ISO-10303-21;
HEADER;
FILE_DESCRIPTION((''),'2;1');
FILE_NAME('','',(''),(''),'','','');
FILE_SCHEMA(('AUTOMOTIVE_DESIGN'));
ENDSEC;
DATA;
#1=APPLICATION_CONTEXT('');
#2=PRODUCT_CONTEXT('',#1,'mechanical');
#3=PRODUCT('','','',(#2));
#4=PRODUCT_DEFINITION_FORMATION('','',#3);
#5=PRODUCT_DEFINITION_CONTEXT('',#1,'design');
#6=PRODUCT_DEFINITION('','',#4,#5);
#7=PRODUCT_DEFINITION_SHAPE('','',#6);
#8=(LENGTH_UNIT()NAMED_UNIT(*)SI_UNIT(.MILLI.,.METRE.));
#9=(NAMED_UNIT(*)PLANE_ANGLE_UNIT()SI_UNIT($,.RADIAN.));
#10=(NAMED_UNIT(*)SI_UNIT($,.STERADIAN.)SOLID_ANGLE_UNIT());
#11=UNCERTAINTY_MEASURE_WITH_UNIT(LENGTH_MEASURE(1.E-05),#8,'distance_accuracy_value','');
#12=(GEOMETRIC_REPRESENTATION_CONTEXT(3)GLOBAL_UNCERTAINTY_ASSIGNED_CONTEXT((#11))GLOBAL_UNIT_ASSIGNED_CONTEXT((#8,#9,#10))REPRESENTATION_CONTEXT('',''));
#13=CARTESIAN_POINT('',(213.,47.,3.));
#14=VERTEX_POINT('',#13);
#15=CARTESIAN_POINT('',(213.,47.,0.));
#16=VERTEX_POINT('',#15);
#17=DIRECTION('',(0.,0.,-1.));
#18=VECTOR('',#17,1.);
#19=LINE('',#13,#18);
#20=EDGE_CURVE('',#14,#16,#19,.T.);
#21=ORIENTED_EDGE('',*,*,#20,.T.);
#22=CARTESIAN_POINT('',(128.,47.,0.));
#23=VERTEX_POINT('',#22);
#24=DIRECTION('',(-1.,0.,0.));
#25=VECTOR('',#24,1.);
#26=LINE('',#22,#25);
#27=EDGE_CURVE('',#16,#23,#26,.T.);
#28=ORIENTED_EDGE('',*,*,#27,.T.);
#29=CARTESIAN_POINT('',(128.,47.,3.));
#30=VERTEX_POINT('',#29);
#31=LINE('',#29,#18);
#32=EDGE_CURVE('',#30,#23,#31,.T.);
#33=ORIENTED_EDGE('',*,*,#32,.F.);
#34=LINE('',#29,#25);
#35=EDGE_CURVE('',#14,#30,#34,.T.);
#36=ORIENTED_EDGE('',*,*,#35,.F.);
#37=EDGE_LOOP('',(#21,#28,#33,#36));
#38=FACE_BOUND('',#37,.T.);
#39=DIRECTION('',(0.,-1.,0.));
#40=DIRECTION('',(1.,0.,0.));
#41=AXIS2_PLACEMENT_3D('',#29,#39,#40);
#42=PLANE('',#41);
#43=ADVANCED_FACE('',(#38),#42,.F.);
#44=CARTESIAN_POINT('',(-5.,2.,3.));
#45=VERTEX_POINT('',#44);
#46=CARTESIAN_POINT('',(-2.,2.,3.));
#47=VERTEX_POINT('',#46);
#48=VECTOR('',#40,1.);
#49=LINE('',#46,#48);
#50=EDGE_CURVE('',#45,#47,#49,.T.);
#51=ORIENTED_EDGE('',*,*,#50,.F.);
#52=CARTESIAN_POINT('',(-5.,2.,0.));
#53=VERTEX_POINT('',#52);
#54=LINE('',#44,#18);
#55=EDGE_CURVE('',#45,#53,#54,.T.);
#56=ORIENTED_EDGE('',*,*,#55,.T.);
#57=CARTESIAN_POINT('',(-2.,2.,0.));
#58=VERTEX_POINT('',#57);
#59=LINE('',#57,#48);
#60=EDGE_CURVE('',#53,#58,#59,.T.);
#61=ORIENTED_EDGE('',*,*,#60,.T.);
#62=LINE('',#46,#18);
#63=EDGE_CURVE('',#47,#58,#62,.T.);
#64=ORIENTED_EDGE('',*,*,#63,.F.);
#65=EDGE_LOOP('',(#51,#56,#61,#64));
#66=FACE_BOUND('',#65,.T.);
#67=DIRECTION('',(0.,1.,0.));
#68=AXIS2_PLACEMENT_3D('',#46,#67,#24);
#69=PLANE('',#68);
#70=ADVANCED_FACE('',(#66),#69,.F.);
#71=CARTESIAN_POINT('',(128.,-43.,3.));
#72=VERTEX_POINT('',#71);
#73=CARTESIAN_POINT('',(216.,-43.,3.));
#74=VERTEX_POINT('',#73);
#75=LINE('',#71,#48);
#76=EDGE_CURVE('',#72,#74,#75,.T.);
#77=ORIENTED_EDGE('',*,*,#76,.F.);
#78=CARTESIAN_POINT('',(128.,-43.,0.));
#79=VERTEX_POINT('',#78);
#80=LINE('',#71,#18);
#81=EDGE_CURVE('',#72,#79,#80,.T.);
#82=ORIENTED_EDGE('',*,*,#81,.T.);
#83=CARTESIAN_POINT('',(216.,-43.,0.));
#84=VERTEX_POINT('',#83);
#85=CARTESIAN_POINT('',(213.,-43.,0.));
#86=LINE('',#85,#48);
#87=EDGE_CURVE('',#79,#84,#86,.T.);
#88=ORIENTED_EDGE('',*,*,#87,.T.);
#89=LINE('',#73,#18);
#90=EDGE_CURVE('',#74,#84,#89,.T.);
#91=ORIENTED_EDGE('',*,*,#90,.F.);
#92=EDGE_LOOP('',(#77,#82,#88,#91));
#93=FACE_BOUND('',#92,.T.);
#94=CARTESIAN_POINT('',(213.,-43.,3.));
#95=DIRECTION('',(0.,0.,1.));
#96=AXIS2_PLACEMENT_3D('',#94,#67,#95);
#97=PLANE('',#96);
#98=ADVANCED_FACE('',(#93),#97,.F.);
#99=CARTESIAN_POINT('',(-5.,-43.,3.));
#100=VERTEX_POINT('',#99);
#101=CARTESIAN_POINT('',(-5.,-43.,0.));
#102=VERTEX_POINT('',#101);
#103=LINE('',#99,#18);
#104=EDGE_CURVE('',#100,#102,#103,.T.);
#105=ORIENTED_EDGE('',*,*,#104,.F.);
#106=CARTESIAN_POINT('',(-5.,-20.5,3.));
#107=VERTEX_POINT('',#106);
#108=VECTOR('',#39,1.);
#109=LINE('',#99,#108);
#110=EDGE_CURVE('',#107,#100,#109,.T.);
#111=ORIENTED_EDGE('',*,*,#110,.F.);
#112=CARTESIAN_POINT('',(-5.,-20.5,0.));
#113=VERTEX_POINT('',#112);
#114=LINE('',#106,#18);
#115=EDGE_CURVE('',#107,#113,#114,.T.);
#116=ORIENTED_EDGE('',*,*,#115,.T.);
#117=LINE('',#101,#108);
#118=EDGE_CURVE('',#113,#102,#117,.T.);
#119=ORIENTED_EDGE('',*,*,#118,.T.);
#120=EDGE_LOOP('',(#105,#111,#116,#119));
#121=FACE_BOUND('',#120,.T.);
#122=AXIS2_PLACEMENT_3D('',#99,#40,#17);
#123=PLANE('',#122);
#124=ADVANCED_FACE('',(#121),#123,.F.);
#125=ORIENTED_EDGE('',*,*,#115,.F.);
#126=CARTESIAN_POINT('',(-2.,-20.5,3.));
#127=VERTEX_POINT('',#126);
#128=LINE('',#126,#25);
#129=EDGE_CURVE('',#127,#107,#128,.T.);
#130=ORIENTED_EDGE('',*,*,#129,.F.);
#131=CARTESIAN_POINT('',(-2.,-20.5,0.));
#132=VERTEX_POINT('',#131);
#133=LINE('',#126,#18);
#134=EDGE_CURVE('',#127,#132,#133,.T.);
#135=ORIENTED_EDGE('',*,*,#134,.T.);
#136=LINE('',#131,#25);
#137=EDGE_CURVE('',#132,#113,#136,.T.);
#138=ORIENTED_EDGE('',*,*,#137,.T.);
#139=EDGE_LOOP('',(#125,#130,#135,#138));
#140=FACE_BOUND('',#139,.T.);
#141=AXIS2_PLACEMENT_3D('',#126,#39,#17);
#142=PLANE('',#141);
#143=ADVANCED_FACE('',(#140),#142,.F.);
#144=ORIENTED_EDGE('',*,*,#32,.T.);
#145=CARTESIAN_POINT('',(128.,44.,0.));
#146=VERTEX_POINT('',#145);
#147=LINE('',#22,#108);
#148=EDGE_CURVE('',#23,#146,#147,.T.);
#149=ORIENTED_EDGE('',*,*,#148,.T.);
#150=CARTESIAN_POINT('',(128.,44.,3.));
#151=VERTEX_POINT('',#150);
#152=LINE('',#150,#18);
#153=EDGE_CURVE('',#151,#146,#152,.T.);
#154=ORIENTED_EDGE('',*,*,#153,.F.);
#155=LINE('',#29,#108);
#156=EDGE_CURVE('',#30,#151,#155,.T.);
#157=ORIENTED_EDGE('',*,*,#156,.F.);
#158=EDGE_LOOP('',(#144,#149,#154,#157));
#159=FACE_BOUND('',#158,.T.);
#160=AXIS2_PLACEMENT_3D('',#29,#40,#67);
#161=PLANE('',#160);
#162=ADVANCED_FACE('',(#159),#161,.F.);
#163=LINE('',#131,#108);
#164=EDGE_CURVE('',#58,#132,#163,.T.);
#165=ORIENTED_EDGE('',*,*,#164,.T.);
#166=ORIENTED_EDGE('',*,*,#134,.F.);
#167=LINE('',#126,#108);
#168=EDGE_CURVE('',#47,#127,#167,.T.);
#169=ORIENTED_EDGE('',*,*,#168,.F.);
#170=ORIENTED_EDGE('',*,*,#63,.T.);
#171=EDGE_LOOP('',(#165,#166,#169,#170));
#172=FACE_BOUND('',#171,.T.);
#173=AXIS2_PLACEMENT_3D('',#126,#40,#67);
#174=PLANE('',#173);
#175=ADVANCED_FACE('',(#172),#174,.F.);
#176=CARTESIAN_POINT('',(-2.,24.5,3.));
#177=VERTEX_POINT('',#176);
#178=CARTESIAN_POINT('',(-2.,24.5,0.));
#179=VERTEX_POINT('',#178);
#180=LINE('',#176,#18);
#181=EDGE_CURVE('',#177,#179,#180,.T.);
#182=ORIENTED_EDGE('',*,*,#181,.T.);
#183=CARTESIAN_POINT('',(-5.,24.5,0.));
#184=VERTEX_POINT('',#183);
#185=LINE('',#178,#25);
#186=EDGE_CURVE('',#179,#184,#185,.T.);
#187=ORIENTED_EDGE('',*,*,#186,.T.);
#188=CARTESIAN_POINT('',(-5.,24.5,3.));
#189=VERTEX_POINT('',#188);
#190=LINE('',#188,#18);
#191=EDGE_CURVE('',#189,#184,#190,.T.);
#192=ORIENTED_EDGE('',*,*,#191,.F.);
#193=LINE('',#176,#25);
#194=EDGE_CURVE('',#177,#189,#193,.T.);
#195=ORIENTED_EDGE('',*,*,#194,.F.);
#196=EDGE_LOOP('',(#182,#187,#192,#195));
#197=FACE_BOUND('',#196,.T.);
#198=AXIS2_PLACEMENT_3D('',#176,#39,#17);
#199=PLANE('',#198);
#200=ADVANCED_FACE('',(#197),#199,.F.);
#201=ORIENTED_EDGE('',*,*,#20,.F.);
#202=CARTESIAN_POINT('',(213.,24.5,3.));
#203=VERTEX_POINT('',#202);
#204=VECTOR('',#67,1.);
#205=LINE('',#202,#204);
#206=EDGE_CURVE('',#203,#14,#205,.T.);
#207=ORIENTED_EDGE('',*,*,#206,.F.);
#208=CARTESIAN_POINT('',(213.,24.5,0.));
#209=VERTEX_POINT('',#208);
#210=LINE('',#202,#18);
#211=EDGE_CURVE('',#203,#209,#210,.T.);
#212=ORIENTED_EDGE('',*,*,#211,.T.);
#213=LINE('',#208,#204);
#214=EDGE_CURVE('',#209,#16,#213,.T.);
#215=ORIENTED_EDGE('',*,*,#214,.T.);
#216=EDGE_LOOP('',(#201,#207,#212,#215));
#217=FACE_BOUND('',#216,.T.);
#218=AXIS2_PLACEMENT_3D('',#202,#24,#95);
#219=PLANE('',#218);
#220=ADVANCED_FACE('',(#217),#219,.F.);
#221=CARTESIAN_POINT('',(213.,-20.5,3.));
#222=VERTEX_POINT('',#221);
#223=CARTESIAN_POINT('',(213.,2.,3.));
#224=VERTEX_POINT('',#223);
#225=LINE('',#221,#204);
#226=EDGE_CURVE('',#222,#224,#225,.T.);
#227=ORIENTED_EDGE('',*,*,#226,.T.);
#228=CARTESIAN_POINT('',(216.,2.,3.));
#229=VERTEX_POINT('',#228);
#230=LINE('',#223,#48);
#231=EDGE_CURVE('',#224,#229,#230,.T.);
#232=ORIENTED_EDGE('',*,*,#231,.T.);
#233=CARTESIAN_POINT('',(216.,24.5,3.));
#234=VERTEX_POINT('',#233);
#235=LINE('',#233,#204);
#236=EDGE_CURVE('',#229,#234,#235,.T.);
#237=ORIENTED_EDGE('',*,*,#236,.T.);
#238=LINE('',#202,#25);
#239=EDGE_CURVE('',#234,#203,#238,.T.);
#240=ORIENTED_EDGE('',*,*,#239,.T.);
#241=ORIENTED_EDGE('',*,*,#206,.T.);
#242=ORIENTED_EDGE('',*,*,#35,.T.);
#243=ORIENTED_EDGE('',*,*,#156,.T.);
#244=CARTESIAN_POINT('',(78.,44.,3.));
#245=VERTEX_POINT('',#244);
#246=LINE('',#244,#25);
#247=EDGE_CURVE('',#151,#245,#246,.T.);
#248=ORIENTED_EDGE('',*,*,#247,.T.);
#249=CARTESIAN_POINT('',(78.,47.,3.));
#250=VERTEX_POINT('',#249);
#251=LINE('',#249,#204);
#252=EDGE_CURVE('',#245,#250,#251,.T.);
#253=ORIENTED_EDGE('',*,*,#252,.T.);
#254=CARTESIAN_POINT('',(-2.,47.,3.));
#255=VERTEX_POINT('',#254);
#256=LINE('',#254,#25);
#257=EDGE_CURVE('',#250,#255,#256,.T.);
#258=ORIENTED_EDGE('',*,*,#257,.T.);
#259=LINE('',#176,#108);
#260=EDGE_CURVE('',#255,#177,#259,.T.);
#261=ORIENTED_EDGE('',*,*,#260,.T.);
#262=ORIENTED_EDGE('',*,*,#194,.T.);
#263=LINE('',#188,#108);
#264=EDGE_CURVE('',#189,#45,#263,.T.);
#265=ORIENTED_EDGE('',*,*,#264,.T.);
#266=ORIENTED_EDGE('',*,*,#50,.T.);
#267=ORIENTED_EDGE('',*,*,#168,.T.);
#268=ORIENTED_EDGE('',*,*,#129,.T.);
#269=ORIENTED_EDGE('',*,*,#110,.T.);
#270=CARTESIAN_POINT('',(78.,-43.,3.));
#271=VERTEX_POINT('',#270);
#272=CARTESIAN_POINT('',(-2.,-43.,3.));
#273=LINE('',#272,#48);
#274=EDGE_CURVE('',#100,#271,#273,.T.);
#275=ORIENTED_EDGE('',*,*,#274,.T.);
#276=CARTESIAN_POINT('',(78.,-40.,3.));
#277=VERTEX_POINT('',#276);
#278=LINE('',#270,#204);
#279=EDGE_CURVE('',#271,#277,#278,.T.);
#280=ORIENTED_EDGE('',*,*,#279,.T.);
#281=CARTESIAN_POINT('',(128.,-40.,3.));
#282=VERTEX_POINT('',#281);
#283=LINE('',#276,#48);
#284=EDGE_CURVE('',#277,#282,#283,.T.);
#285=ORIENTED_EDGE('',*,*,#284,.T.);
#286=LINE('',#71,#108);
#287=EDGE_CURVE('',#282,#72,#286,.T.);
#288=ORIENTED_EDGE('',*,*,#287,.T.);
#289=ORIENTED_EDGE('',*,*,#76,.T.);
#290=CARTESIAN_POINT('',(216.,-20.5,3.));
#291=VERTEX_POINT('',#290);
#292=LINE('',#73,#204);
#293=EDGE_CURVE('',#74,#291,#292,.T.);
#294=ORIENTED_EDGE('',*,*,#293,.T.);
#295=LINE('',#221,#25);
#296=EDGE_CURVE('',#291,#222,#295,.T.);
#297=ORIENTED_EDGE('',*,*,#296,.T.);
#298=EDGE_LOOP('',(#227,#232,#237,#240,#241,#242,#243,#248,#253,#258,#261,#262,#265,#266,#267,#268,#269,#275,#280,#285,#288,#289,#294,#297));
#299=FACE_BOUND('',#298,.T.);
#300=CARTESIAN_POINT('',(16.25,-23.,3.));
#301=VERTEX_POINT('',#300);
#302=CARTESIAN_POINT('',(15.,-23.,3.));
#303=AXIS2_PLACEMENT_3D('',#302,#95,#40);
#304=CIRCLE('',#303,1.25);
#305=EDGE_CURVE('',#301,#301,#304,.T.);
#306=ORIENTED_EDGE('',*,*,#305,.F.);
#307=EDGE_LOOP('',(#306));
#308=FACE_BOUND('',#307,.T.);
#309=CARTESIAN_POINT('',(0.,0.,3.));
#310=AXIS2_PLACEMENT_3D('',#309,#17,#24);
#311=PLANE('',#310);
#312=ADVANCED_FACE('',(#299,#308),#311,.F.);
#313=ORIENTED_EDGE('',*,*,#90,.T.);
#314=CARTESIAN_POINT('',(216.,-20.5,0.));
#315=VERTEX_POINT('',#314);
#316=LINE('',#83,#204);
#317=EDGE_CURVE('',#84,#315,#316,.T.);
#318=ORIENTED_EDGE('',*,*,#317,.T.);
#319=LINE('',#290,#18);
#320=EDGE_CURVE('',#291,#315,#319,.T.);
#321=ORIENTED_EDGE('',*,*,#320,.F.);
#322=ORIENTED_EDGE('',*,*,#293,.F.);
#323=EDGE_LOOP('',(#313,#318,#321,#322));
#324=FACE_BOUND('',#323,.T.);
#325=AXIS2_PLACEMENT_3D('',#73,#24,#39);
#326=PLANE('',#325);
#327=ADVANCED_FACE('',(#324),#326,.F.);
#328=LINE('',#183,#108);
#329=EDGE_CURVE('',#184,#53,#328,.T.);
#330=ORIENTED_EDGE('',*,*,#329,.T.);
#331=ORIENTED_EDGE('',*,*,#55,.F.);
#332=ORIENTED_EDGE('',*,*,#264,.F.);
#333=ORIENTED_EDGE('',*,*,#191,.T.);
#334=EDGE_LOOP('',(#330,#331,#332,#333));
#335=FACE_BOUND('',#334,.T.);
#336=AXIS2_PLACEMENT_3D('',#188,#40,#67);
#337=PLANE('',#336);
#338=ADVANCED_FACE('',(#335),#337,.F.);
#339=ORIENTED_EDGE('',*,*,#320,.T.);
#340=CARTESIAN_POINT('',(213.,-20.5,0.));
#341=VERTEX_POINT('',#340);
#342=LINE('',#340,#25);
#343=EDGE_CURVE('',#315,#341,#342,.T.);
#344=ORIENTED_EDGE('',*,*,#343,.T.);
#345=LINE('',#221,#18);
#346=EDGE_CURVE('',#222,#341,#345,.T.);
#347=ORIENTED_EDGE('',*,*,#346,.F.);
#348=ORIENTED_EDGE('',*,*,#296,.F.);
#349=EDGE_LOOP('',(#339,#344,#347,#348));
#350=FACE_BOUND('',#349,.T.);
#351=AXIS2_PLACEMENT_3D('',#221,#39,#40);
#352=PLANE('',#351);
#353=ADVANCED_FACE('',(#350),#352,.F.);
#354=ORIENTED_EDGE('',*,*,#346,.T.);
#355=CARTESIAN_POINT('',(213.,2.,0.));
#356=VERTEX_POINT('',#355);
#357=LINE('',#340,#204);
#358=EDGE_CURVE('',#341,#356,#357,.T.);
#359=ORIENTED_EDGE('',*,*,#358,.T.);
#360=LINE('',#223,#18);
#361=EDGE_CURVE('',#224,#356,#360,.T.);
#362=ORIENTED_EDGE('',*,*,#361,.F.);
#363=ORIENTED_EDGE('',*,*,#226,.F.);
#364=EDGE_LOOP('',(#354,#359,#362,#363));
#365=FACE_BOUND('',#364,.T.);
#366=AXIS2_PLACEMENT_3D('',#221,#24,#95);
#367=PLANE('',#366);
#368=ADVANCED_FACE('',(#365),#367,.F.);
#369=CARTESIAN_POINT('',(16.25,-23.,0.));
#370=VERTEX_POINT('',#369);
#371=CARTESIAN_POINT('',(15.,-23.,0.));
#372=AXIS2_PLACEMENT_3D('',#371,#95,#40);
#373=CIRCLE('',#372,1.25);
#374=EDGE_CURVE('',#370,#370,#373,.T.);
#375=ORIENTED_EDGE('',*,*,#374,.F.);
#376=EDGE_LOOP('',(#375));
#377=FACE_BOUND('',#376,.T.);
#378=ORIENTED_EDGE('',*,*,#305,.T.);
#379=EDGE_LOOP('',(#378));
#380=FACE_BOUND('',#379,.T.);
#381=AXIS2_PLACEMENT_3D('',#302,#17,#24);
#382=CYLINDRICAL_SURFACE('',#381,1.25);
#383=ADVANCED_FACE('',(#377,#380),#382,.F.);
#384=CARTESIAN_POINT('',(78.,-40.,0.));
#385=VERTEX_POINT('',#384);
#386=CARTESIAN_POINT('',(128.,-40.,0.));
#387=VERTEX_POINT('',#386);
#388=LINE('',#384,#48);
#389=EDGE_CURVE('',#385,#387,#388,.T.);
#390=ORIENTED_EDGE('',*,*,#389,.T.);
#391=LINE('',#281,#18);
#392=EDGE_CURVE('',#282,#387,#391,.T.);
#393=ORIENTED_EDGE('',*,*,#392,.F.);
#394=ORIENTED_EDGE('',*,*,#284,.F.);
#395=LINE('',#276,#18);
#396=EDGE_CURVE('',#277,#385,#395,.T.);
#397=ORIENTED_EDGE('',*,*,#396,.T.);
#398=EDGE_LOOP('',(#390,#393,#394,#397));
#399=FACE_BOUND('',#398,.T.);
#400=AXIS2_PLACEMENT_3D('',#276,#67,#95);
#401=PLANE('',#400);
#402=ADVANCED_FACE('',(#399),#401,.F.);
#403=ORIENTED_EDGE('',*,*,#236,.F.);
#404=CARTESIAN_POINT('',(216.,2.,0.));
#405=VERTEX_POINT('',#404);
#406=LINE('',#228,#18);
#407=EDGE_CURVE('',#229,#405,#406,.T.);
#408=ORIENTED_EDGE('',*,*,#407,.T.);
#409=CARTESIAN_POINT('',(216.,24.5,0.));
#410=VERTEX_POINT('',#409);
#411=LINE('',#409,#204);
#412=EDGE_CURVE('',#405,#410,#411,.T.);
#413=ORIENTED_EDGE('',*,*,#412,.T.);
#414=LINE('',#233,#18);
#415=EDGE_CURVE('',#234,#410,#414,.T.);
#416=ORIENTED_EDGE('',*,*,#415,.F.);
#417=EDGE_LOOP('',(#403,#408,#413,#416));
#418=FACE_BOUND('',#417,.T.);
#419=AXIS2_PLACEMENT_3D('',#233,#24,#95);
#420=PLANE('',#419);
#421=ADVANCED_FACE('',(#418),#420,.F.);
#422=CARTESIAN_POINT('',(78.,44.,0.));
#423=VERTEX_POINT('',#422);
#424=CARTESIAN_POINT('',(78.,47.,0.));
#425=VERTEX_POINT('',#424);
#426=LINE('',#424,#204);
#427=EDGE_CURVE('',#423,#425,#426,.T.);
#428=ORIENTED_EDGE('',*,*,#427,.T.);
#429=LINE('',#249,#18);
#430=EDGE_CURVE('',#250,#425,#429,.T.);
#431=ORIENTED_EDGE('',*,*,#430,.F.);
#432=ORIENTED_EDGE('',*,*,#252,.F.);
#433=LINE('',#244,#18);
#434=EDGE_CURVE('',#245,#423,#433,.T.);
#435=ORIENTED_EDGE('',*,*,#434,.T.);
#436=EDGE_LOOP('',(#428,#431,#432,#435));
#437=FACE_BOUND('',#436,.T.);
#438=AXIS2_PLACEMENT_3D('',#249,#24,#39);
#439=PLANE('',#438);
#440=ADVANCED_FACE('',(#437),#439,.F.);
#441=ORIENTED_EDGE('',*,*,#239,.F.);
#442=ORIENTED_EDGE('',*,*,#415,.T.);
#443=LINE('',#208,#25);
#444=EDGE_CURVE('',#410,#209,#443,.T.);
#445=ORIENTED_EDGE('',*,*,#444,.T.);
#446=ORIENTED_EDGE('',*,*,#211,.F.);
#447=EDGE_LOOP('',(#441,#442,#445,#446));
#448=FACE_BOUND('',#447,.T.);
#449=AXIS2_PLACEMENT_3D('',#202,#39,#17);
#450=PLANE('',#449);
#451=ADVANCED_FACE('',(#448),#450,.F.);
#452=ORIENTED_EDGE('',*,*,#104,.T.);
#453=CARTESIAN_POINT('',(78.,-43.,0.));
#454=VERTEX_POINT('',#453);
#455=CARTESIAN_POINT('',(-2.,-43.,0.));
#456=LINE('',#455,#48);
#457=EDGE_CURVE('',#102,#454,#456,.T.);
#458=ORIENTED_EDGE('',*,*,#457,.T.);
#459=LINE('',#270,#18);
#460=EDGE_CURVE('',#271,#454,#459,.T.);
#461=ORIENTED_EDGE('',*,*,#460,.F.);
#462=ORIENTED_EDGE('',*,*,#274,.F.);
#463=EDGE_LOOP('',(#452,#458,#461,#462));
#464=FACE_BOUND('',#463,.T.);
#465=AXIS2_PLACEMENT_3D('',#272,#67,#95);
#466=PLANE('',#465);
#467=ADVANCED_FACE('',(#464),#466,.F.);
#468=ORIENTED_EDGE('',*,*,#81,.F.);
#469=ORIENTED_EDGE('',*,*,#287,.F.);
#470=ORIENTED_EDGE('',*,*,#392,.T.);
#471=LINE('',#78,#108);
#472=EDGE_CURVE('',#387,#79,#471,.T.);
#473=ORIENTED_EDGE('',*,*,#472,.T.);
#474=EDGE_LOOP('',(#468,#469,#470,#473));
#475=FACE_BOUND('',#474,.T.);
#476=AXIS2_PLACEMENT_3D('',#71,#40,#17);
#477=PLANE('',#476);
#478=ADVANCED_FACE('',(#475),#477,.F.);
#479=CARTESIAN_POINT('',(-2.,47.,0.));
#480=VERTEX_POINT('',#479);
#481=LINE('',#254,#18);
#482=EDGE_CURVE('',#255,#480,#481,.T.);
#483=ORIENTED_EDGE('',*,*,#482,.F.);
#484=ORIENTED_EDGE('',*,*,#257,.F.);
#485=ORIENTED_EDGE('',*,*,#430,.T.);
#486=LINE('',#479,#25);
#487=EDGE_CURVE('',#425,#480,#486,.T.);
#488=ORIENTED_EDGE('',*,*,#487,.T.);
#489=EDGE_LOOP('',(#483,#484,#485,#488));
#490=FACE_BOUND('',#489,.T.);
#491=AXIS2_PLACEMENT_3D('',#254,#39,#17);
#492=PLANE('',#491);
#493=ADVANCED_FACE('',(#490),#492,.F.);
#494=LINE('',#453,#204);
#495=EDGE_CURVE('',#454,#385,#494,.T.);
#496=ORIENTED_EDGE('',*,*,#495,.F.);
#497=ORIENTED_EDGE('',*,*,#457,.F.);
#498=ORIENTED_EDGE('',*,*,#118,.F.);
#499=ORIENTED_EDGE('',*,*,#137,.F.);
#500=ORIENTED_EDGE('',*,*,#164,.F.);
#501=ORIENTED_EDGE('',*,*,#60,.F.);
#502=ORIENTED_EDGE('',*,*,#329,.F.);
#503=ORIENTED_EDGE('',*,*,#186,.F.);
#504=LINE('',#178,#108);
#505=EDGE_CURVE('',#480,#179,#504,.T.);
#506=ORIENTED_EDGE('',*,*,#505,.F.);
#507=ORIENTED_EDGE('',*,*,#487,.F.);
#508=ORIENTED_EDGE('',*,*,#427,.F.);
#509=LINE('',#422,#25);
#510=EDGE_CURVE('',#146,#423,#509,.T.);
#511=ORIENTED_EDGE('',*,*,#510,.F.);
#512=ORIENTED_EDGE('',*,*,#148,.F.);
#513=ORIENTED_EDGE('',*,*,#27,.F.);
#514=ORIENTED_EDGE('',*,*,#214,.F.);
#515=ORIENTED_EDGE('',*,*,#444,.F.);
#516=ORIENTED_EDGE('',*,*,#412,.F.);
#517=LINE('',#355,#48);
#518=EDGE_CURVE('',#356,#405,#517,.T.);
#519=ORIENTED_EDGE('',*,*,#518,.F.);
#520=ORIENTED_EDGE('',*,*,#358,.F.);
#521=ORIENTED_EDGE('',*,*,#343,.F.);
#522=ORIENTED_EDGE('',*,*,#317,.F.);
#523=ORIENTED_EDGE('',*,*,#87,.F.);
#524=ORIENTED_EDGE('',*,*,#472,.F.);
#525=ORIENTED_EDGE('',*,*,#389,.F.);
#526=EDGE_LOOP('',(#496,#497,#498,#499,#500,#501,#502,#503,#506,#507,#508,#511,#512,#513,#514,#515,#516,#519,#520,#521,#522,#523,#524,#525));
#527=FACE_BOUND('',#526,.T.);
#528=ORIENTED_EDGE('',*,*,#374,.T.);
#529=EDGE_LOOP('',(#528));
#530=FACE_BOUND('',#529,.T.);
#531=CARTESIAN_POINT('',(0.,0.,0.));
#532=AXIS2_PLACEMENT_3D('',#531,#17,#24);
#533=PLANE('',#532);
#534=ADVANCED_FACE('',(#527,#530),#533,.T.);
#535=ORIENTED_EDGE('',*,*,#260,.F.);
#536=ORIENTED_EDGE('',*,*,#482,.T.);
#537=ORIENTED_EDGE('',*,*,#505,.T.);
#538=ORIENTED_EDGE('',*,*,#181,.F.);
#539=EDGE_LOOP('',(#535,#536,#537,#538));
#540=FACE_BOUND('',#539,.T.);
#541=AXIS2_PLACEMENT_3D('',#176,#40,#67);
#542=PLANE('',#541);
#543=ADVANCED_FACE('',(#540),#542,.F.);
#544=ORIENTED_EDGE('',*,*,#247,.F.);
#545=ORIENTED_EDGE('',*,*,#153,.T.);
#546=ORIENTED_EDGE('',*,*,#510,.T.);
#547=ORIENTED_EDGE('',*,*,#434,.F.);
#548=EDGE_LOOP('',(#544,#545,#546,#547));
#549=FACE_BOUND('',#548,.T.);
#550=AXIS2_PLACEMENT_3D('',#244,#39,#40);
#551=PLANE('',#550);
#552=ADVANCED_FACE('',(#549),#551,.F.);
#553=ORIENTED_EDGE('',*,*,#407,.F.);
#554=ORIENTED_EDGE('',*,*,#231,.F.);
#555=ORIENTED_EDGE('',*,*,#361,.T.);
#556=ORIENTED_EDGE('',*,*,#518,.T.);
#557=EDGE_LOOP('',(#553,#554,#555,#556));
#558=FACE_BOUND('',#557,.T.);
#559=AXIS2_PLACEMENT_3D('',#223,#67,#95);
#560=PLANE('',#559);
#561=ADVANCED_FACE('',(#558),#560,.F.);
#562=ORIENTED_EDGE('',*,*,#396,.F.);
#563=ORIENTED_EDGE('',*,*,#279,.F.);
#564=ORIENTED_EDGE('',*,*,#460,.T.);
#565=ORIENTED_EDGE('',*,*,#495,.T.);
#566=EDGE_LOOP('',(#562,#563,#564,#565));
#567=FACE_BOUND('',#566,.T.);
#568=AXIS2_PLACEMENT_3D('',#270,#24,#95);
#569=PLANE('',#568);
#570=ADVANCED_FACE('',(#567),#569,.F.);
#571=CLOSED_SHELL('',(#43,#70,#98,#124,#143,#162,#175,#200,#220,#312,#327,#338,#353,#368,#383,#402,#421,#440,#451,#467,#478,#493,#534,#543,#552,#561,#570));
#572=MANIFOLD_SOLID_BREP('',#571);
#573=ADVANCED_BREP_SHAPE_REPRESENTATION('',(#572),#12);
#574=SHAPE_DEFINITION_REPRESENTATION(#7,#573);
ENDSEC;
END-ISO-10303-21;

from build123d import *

# Parameters (mm, degrees)
SKETCH1_R           = 1.25
BOSS_EXTRUDE1_DEPTH = 3


with BuildPart() as part:
    # Sketch1 → Boss-Extrude1 (new body)
    with BuildSketch(Plane.XY):
        Polygon((-2, 47), (78, 47), (78, 44), (128, 44), (128, 47), (213, 47), (213, 24.5), (216, 24.5), (216, 2), (213, 2), (213, -20.5), (216, -20.5), (216, -43), (213, -43), (128, -43), (128, -40), (78, -40), (78, -43), (-2, -43), (-5, -43), (-5, -20.5), (-2, -20.5), (-2, 2), (-5, 2), (-5, 24.5), (-2, 24.5), align=None)
        with Locations((15, -23)):
            Circle(SKETCH1_R, mode=Mode.SUBTRACT)
    extrude(amount=BOSS_EXTRUDE1_DEPTH)


solid = part.part
